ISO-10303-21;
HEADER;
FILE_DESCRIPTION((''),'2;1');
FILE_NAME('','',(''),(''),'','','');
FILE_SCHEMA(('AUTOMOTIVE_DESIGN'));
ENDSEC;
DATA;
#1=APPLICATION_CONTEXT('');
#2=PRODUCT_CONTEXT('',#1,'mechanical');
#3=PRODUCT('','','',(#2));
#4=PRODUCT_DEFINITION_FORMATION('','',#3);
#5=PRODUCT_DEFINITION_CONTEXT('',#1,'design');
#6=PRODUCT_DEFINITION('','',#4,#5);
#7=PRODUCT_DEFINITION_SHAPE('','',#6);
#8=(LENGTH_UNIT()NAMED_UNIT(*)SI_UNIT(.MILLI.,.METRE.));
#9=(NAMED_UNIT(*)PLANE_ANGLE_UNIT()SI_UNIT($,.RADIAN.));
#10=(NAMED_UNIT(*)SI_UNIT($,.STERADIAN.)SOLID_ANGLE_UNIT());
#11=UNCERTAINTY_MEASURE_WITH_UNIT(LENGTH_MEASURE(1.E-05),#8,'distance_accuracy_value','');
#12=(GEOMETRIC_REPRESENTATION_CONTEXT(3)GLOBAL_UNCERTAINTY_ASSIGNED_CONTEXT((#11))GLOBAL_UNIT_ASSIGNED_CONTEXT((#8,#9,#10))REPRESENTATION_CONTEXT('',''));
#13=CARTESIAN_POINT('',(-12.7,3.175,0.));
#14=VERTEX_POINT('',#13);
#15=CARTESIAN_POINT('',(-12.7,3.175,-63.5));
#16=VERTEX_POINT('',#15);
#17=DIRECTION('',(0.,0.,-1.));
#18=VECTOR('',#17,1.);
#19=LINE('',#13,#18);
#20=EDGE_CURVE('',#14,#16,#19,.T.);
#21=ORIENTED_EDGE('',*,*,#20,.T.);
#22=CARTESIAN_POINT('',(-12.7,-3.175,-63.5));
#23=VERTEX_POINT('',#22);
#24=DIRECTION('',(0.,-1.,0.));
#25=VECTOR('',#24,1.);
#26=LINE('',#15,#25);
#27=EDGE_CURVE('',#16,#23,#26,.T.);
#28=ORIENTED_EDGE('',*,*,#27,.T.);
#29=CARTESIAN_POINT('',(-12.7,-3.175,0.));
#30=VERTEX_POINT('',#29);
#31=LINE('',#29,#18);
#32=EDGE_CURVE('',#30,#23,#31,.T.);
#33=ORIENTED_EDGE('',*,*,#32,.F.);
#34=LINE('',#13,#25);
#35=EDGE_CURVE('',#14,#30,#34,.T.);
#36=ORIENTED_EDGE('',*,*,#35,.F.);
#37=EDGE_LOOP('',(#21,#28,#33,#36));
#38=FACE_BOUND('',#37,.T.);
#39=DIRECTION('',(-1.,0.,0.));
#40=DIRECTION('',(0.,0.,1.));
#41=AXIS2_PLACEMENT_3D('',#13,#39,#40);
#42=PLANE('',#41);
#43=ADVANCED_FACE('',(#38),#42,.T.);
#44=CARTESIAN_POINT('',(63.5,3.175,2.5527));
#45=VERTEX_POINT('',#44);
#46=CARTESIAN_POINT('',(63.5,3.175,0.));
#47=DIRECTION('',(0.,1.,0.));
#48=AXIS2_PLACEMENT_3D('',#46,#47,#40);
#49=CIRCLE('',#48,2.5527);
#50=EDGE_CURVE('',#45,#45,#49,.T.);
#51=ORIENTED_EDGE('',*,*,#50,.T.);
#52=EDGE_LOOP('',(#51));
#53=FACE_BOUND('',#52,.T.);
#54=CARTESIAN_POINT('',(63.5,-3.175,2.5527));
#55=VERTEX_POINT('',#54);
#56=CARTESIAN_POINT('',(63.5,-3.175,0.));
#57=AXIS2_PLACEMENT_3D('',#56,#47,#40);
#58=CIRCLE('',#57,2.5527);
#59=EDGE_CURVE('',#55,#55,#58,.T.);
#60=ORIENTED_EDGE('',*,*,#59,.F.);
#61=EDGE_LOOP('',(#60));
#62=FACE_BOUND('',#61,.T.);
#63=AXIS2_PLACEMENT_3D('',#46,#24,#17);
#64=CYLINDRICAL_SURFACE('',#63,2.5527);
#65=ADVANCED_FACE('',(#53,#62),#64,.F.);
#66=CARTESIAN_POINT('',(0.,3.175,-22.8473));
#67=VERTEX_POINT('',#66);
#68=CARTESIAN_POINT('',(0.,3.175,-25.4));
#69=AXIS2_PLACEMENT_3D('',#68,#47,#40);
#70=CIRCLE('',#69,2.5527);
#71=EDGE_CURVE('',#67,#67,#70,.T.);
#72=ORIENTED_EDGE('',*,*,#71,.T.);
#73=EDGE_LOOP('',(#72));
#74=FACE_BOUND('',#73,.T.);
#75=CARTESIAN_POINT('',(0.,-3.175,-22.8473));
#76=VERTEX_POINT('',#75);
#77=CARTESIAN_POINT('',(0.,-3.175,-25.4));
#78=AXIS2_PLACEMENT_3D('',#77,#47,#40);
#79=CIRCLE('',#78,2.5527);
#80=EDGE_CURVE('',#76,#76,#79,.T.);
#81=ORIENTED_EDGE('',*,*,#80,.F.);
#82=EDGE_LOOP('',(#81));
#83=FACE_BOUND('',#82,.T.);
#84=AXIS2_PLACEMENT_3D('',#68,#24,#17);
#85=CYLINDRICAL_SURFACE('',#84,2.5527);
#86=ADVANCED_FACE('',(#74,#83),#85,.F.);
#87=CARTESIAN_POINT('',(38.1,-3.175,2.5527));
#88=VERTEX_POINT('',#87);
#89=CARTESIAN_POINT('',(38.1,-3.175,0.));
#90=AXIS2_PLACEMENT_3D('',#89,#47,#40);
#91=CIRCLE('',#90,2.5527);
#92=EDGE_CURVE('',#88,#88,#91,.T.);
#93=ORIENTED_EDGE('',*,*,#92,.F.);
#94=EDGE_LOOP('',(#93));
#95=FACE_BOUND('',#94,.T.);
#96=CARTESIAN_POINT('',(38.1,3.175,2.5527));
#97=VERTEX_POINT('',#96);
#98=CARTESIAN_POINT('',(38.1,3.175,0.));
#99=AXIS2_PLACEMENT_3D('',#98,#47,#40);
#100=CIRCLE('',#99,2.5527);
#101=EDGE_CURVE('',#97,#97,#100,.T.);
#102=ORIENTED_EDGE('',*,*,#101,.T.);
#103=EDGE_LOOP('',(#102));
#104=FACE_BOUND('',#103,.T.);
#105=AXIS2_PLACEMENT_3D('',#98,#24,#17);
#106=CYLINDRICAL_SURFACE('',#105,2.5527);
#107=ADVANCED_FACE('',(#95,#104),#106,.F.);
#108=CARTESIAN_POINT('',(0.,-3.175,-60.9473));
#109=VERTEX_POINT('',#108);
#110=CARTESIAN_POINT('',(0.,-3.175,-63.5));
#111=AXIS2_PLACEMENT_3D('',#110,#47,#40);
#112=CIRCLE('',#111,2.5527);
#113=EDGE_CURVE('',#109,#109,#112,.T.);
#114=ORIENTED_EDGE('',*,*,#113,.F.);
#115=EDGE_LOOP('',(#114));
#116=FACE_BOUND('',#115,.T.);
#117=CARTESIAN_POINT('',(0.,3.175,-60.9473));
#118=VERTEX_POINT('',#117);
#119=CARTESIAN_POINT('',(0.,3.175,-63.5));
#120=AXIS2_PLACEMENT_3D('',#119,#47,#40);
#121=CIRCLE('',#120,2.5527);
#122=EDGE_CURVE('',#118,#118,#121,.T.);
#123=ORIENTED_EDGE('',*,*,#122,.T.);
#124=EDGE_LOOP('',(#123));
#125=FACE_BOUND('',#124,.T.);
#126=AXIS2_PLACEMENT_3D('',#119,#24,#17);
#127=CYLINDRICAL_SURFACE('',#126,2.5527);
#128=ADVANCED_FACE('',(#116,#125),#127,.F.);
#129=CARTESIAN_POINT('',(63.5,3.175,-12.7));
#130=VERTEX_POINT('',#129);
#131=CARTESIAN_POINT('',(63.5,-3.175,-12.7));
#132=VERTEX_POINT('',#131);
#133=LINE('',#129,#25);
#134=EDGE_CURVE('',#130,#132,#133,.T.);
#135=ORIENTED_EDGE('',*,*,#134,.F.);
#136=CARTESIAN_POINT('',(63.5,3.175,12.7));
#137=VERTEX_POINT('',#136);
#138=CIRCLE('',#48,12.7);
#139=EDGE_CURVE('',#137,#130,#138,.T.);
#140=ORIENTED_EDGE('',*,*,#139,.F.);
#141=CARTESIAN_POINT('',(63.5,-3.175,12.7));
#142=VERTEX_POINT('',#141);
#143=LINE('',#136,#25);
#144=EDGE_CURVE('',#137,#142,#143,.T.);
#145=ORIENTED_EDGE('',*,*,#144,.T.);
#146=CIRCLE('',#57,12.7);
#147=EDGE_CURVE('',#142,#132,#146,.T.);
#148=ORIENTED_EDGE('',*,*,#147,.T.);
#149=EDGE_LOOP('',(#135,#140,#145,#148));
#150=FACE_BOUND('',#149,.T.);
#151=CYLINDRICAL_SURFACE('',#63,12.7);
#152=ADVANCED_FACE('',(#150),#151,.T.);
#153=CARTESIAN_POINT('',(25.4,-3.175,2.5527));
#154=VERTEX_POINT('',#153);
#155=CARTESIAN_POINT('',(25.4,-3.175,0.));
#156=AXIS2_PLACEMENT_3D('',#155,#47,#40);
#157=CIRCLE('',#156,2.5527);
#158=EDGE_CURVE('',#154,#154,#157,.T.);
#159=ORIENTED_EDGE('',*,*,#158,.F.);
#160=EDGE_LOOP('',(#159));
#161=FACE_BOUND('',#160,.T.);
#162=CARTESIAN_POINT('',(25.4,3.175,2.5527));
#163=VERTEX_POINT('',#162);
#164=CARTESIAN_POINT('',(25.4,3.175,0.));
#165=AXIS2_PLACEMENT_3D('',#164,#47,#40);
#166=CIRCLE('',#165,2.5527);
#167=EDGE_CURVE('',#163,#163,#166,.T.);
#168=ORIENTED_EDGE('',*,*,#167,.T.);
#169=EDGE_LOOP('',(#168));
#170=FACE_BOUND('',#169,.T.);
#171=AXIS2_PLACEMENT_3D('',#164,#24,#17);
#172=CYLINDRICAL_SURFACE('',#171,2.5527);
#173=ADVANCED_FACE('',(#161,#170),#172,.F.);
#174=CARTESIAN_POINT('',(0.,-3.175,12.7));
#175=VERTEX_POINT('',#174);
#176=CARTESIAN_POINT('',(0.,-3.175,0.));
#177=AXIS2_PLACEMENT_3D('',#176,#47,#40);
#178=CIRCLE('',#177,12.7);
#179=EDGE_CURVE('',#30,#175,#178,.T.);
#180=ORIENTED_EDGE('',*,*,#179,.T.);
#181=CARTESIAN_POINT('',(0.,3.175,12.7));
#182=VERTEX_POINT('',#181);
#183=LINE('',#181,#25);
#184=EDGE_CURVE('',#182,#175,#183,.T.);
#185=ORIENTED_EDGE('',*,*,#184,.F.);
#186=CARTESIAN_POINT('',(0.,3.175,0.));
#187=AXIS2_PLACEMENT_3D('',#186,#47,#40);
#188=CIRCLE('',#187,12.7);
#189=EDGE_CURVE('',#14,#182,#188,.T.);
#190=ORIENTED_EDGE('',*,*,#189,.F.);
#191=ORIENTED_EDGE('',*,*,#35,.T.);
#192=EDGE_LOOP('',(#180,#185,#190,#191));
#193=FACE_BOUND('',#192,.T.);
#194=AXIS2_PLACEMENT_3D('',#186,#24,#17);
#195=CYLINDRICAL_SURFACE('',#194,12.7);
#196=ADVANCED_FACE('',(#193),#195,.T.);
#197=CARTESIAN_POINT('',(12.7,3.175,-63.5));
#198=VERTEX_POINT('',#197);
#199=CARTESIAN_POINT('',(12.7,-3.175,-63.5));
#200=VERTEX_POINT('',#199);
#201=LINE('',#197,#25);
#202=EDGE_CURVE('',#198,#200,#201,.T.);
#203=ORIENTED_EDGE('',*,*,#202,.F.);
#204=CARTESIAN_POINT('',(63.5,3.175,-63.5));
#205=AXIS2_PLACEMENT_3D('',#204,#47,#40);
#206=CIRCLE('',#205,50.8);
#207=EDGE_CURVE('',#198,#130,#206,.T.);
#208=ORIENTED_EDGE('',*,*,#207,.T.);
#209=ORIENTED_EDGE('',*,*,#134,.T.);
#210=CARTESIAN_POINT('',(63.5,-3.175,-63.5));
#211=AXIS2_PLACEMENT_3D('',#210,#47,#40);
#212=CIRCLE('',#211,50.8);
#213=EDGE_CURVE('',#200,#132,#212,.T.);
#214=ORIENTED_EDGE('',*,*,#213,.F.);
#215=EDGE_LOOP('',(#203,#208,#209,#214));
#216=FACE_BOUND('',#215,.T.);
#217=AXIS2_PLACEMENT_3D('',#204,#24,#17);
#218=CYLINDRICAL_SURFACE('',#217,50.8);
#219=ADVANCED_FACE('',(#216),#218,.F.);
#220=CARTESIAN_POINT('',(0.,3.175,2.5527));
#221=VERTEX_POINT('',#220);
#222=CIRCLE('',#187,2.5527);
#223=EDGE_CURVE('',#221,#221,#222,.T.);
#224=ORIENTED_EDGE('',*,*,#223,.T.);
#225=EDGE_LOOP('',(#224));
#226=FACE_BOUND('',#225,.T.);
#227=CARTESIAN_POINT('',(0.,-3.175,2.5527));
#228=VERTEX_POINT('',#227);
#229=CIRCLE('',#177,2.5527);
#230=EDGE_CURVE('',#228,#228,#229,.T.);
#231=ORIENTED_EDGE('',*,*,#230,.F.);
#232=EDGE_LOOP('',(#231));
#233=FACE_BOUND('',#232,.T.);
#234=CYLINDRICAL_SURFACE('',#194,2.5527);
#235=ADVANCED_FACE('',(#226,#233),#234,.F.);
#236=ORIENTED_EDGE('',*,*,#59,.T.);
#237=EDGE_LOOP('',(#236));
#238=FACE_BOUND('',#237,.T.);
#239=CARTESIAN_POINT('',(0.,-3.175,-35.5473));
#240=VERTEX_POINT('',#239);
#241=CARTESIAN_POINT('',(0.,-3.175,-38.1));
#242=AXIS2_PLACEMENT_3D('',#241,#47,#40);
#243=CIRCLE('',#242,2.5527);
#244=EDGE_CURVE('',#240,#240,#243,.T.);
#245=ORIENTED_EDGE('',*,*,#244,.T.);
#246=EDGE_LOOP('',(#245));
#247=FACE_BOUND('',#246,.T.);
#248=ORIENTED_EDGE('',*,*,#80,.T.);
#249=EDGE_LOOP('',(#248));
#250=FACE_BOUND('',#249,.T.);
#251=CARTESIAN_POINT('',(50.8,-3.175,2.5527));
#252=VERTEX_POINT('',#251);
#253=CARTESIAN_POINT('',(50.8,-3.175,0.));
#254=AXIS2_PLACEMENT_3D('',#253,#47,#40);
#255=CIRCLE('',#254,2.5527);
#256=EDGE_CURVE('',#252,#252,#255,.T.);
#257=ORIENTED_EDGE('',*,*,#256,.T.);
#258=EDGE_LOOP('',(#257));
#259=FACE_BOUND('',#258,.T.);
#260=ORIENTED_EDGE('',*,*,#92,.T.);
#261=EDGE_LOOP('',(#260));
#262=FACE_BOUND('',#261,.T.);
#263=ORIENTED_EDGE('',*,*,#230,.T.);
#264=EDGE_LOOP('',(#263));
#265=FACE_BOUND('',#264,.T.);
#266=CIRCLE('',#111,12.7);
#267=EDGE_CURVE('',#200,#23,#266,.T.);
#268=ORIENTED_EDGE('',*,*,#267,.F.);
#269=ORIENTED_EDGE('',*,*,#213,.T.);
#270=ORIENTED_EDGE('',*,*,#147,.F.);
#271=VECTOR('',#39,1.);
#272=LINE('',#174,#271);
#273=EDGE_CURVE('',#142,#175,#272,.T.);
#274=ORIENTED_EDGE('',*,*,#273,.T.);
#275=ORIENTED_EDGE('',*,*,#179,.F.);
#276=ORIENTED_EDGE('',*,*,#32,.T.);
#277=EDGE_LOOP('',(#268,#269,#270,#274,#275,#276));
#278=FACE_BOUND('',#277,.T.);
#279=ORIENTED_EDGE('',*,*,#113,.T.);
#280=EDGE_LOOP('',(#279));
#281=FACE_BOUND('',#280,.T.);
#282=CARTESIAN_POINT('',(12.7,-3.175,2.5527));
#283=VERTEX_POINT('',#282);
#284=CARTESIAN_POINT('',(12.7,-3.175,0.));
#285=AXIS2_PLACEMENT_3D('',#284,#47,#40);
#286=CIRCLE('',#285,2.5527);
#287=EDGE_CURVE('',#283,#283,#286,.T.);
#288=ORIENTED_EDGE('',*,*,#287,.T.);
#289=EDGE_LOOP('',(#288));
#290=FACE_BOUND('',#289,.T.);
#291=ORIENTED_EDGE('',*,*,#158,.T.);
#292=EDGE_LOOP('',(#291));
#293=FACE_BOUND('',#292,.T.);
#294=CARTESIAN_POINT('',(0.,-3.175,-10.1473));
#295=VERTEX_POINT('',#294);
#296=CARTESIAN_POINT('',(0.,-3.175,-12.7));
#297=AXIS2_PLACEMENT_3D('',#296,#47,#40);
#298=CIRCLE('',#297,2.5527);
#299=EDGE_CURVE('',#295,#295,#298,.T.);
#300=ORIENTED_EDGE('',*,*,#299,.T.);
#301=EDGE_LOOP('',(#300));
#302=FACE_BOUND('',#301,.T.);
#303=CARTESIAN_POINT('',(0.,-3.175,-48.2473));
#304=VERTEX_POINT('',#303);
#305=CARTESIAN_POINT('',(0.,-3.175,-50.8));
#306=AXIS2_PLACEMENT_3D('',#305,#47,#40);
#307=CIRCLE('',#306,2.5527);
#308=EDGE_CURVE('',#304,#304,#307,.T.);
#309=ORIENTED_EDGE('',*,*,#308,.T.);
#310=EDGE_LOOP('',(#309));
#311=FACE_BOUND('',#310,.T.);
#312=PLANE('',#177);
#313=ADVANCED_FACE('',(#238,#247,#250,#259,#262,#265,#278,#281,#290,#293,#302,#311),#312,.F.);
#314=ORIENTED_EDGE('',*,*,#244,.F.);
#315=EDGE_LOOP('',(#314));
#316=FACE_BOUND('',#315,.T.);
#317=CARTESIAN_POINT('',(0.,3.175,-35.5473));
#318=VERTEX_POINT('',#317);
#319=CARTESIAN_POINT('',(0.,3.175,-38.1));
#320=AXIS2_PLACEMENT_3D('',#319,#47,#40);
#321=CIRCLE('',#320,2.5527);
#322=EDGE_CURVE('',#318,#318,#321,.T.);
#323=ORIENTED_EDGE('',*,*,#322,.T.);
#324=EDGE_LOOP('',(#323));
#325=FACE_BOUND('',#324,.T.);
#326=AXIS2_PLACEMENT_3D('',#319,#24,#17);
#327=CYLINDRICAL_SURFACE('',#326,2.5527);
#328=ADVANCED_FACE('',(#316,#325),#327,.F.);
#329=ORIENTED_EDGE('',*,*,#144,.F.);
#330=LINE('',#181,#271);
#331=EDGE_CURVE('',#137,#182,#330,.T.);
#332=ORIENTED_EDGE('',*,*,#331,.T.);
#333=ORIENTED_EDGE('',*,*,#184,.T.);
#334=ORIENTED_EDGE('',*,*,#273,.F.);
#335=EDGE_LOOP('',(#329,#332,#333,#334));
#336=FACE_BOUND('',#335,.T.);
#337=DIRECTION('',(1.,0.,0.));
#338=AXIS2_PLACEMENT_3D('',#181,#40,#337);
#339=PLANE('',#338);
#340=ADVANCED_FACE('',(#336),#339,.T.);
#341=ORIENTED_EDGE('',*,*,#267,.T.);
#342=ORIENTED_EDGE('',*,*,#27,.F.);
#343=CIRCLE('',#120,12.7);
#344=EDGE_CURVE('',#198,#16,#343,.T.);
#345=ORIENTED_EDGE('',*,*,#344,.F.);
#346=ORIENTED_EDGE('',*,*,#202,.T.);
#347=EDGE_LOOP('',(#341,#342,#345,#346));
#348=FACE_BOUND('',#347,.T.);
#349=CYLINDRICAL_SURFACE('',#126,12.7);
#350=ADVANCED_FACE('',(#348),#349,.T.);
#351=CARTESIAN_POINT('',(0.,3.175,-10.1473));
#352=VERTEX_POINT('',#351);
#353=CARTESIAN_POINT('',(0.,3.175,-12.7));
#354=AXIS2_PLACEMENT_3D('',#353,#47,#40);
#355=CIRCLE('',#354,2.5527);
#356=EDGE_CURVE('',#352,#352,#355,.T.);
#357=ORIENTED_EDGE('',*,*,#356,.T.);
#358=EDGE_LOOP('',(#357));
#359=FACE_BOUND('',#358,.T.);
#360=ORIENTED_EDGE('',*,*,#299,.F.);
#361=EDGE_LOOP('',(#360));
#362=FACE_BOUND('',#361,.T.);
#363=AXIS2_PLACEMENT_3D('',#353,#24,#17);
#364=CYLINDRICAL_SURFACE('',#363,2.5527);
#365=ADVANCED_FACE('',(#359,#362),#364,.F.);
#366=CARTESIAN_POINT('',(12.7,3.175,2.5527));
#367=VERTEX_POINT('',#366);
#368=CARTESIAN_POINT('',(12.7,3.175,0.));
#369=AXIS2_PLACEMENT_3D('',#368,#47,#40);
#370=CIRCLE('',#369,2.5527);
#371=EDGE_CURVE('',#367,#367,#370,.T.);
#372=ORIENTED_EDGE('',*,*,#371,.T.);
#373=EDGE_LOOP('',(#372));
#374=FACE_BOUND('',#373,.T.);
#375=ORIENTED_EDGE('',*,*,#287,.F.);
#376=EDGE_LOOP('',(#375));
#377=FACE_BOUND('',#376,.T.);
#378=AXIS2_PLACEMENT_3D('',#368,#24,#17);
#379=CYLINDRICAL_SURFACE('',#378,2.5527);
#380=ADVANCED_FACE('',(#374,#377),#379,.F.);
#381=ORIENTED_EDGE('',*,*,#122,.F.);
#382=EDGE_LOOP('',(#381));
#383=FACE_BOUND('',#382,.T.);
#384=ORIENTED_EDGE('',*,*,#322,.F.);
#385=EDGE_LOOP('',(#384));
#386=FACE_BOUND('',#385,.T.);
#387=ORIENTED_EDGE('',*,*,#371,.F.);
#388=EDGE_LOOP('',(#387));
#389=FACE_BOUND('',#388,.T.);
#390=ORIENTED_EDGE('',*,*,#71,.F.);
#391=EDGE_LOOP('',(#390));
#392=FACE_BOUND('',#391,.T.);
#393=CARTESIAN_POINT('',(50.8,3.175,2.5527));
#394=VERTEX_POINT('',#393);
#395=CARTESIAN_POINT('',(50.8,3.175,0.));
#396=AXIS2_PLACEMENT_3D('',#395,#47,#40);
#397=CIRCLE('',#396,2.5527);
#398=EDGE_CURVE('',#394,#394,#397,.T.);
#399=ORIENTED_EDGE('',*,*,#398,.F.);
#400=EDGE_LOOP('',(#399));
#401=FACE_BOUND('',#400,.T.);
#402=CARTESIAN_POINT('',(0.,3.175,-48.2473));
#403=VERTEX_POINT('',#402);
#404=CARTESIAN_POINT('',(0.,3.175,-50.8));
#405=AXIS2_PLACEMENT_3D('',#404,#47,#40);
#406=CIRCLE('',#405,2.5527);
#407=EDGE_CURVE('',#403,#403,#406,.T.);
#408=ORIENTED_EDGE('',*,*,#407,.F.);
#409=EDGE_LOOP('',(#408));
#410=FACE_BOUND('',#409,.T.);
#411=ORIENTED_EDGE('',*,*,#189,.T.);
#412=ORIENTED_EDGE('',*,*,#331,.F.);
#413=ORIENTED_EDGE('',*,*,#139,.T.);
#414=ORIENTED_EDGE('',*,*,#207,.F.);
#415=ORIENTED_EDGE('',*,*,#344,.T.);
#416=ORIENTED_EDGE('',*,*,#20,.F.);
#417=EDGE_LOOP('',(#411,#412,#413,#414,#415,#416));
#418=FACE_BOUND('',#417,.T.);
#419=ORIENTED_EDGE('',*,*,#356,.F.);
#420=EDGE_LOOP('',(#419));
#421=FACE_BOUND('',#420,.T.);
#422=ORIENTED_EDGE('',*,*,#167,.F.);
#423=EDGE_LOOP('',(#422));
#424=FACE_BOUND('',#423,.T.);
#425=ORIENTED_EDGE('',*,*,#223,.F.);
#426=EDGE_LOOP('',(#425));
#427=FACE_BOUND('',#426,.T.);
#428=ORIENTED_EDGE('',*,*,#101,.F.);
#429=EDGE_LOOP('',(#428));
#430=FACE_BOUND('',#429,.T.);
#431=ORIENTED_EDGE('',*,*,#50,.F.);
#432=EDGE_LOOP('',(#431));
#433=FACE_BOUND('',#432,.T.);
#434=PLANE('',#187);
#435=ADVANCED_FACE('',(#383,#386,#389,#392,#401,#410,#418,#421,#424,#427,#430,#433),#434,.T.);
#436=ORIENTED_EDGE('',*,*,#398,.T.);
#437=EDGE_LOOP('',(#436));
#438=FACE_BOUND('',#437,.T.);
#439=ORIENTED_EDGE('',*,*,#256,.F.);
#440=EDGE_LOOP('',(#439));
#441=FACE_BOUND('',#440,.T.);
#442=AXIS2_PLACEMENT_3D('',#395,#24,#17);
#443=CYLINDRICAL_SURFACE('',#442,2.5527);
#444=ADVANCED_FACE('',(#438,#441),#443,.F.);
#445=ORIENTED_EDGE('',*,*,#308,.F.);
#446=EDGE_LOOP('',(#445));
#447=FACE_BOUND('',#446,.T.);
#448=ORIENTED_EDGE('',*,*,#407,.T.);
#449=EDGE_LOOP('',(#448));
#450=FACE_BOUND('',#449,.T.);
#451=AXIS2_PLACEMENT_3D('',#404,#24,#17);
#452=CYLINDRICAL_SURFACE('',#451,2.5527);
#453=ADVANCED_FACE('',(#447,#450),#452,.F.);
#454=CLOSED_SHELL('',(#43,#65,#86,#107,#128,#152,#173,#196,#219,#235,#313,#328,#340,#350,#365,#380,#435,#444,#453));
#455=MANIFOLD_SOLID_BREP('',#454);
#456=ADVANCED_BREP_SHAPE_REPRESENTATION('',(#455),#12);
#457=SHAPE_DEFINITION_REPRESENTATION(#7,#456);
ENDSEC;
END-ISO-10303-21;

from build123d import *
from build123d.topology import SkipClean

# Parameters (mm, degrees)
SKETCH1_R           = 2.5527
BOSS_EXTRUDE1_DEPTH = 3.175


with BuildPart() as part:
    # Sketch1 → Boss-Extrude1 (new, symmetric)
    # profile 1 of 4: a face of its own
    with SkipClean():  # the faces are left unmerged after this step: merging them gives an invalid solid
        with BuildSketch(Plane(origin=(0, 0, 0), x_dir=(1, 0, 0), z_dir=(0, 1, 0))):
            with BuildLine():
                Line((-12.7, 63.5), (-12.7, 0))
                ThreePointArc((-12.7, 0), (-9.837305348, 8.032273868), (-2.539775829, 12.44345365))
                ThreePointArc((-2.539775829, 12.44345365), (-0.128435844, 15.24946691), (2.5527, 12.7))
                Line((2.5527, 12.7), (12.7, 12.7))
                Line((12.7, 12.7), (12.7, 63.5))
                ThreePointArc((12.7, 63.5), (0, 76.2), (-12.7, 63.5))
            make_face()
            with Locations(Location((0, 25.4, 0), (0, 0, 270))):
                Circle(SKETCH1_R, mode=Mode.SUBTRACT)
            with Locations(Location((0, 38.1, 0), (0, 0, 270))):
                Circle(SKETCH1_R, mode=Mode.SUBTRACT)
            with Locations(Location((0, 50.8, 0), (0, 0, 270))):
                Circle(SKETCH1_R, mode=Mode.SUBTRACT)
            with Locations(Location((0, 63.5, 0), (0, 0, 270))):
                Circle(SKETCH1_R, mode=Mode.SUBTRACT)
        # profile 2 of 4: a face of its own
        with BuildSketch(Plane(origin=(0, 0, 0), x_dir=(1, 0, 0), z_dir=(0, 1, 0))):
            with BuildLine():
                Line((12.7, 12.7), (63.5, 12.7))
                ThreePointArc((63.5, 12.7), (27.578975516, 27.578975516), (12.7, 63.5))
                Line((12.7, 63.5), (12.7, 12.7))
            make_face()
        # profile 3 of 4: a face of its own
        with BuildSketch(Plane(origin=(0, 0, 0), x_dir=(1, 0, 0), z_dir=(0, 1, 0))):
            with BuildLine():
                Line((0, -12.7), (63.5, -12.7))
                ThreePointArc((63.5, -12.7), (76.2, 0), (63.5, 12.7))
                Line((63.5, 12.7), (12.7, 12.7))
                Line((12.7, 12.7), (12.7, 2.5527))
                ThreePointArc((12.7, 2.5527), (14.50503148, 1.80503148), (15.2527, 0))
                ThreePointArc((15.2527, 0), (14.411927484, -1.893563196), (12.44345365, -2.539775829))
                ThreePointArc((12.44345365, -2.539775829), (8.032273868, -9.837305348), (0, -12.7))
            make_face()
            with Locations(Location((25.4, 0, 0), (0, 0, 270))):
                Circle(SKETCH1_R, mode=Mode.SUBTRACT)
            with Locations(Location((38.1, 0, 0), (0, 0, 270))):
                Circle(SKETCH1_R, mode=Mode.SUBTRACT)
            with Locations(Location((50.8, 0, 0), (0, 0, 270))):
                Circle(SKETCH1_R, mode=Mode.SUBTRACT)
            with Locations(Location((63.5, 0, 0), (0, 0, 270))):
                Circle(SKETCH1_R, mode=Mode.SUBTRACT)
        # profile 4 of 4: a face of its own
        with BuildSketch(Plane(origin=(0, 0, 0), x_dir=(1, 0, 0), z_dir=(0, 1, 0))):
            with BuildLine():
                ThreePointArc((-12.7, 0), (-8.980256121, -8.980256121), (0, -12.7))
                ThreePointArc((0, -12.7), (8.032273868, -9.837305348), (12.44345365, -2.539775829))
                ThreePointArc((12.44345365, -2.539775829), (10.15053309, 0.128435844), (12.7, 2.5527))
                Line((12.7, 2.5527), (12.7, 12.7))
                Line((12.7, 12.7), (2.5527, 12.7))
                ThreePointArc((2.5527, 12.7), (0.128435844, 10.15053309), (-2.539775829, 12.44345365))
                ThreePointArc((-2.539775829, 12.44345365), (-9.837305348, 8.032273868), (-12.7, 0))
            make_face()
            with Locations(Location((0, 0, 0), (0, 0, 270))):
                Circle(SKETCH1_R, mode=Mode.SUBTRACT)
        extrude(amount=BOSS_EXTRUDE1_DEPTH, both=True)


solid = part.part
